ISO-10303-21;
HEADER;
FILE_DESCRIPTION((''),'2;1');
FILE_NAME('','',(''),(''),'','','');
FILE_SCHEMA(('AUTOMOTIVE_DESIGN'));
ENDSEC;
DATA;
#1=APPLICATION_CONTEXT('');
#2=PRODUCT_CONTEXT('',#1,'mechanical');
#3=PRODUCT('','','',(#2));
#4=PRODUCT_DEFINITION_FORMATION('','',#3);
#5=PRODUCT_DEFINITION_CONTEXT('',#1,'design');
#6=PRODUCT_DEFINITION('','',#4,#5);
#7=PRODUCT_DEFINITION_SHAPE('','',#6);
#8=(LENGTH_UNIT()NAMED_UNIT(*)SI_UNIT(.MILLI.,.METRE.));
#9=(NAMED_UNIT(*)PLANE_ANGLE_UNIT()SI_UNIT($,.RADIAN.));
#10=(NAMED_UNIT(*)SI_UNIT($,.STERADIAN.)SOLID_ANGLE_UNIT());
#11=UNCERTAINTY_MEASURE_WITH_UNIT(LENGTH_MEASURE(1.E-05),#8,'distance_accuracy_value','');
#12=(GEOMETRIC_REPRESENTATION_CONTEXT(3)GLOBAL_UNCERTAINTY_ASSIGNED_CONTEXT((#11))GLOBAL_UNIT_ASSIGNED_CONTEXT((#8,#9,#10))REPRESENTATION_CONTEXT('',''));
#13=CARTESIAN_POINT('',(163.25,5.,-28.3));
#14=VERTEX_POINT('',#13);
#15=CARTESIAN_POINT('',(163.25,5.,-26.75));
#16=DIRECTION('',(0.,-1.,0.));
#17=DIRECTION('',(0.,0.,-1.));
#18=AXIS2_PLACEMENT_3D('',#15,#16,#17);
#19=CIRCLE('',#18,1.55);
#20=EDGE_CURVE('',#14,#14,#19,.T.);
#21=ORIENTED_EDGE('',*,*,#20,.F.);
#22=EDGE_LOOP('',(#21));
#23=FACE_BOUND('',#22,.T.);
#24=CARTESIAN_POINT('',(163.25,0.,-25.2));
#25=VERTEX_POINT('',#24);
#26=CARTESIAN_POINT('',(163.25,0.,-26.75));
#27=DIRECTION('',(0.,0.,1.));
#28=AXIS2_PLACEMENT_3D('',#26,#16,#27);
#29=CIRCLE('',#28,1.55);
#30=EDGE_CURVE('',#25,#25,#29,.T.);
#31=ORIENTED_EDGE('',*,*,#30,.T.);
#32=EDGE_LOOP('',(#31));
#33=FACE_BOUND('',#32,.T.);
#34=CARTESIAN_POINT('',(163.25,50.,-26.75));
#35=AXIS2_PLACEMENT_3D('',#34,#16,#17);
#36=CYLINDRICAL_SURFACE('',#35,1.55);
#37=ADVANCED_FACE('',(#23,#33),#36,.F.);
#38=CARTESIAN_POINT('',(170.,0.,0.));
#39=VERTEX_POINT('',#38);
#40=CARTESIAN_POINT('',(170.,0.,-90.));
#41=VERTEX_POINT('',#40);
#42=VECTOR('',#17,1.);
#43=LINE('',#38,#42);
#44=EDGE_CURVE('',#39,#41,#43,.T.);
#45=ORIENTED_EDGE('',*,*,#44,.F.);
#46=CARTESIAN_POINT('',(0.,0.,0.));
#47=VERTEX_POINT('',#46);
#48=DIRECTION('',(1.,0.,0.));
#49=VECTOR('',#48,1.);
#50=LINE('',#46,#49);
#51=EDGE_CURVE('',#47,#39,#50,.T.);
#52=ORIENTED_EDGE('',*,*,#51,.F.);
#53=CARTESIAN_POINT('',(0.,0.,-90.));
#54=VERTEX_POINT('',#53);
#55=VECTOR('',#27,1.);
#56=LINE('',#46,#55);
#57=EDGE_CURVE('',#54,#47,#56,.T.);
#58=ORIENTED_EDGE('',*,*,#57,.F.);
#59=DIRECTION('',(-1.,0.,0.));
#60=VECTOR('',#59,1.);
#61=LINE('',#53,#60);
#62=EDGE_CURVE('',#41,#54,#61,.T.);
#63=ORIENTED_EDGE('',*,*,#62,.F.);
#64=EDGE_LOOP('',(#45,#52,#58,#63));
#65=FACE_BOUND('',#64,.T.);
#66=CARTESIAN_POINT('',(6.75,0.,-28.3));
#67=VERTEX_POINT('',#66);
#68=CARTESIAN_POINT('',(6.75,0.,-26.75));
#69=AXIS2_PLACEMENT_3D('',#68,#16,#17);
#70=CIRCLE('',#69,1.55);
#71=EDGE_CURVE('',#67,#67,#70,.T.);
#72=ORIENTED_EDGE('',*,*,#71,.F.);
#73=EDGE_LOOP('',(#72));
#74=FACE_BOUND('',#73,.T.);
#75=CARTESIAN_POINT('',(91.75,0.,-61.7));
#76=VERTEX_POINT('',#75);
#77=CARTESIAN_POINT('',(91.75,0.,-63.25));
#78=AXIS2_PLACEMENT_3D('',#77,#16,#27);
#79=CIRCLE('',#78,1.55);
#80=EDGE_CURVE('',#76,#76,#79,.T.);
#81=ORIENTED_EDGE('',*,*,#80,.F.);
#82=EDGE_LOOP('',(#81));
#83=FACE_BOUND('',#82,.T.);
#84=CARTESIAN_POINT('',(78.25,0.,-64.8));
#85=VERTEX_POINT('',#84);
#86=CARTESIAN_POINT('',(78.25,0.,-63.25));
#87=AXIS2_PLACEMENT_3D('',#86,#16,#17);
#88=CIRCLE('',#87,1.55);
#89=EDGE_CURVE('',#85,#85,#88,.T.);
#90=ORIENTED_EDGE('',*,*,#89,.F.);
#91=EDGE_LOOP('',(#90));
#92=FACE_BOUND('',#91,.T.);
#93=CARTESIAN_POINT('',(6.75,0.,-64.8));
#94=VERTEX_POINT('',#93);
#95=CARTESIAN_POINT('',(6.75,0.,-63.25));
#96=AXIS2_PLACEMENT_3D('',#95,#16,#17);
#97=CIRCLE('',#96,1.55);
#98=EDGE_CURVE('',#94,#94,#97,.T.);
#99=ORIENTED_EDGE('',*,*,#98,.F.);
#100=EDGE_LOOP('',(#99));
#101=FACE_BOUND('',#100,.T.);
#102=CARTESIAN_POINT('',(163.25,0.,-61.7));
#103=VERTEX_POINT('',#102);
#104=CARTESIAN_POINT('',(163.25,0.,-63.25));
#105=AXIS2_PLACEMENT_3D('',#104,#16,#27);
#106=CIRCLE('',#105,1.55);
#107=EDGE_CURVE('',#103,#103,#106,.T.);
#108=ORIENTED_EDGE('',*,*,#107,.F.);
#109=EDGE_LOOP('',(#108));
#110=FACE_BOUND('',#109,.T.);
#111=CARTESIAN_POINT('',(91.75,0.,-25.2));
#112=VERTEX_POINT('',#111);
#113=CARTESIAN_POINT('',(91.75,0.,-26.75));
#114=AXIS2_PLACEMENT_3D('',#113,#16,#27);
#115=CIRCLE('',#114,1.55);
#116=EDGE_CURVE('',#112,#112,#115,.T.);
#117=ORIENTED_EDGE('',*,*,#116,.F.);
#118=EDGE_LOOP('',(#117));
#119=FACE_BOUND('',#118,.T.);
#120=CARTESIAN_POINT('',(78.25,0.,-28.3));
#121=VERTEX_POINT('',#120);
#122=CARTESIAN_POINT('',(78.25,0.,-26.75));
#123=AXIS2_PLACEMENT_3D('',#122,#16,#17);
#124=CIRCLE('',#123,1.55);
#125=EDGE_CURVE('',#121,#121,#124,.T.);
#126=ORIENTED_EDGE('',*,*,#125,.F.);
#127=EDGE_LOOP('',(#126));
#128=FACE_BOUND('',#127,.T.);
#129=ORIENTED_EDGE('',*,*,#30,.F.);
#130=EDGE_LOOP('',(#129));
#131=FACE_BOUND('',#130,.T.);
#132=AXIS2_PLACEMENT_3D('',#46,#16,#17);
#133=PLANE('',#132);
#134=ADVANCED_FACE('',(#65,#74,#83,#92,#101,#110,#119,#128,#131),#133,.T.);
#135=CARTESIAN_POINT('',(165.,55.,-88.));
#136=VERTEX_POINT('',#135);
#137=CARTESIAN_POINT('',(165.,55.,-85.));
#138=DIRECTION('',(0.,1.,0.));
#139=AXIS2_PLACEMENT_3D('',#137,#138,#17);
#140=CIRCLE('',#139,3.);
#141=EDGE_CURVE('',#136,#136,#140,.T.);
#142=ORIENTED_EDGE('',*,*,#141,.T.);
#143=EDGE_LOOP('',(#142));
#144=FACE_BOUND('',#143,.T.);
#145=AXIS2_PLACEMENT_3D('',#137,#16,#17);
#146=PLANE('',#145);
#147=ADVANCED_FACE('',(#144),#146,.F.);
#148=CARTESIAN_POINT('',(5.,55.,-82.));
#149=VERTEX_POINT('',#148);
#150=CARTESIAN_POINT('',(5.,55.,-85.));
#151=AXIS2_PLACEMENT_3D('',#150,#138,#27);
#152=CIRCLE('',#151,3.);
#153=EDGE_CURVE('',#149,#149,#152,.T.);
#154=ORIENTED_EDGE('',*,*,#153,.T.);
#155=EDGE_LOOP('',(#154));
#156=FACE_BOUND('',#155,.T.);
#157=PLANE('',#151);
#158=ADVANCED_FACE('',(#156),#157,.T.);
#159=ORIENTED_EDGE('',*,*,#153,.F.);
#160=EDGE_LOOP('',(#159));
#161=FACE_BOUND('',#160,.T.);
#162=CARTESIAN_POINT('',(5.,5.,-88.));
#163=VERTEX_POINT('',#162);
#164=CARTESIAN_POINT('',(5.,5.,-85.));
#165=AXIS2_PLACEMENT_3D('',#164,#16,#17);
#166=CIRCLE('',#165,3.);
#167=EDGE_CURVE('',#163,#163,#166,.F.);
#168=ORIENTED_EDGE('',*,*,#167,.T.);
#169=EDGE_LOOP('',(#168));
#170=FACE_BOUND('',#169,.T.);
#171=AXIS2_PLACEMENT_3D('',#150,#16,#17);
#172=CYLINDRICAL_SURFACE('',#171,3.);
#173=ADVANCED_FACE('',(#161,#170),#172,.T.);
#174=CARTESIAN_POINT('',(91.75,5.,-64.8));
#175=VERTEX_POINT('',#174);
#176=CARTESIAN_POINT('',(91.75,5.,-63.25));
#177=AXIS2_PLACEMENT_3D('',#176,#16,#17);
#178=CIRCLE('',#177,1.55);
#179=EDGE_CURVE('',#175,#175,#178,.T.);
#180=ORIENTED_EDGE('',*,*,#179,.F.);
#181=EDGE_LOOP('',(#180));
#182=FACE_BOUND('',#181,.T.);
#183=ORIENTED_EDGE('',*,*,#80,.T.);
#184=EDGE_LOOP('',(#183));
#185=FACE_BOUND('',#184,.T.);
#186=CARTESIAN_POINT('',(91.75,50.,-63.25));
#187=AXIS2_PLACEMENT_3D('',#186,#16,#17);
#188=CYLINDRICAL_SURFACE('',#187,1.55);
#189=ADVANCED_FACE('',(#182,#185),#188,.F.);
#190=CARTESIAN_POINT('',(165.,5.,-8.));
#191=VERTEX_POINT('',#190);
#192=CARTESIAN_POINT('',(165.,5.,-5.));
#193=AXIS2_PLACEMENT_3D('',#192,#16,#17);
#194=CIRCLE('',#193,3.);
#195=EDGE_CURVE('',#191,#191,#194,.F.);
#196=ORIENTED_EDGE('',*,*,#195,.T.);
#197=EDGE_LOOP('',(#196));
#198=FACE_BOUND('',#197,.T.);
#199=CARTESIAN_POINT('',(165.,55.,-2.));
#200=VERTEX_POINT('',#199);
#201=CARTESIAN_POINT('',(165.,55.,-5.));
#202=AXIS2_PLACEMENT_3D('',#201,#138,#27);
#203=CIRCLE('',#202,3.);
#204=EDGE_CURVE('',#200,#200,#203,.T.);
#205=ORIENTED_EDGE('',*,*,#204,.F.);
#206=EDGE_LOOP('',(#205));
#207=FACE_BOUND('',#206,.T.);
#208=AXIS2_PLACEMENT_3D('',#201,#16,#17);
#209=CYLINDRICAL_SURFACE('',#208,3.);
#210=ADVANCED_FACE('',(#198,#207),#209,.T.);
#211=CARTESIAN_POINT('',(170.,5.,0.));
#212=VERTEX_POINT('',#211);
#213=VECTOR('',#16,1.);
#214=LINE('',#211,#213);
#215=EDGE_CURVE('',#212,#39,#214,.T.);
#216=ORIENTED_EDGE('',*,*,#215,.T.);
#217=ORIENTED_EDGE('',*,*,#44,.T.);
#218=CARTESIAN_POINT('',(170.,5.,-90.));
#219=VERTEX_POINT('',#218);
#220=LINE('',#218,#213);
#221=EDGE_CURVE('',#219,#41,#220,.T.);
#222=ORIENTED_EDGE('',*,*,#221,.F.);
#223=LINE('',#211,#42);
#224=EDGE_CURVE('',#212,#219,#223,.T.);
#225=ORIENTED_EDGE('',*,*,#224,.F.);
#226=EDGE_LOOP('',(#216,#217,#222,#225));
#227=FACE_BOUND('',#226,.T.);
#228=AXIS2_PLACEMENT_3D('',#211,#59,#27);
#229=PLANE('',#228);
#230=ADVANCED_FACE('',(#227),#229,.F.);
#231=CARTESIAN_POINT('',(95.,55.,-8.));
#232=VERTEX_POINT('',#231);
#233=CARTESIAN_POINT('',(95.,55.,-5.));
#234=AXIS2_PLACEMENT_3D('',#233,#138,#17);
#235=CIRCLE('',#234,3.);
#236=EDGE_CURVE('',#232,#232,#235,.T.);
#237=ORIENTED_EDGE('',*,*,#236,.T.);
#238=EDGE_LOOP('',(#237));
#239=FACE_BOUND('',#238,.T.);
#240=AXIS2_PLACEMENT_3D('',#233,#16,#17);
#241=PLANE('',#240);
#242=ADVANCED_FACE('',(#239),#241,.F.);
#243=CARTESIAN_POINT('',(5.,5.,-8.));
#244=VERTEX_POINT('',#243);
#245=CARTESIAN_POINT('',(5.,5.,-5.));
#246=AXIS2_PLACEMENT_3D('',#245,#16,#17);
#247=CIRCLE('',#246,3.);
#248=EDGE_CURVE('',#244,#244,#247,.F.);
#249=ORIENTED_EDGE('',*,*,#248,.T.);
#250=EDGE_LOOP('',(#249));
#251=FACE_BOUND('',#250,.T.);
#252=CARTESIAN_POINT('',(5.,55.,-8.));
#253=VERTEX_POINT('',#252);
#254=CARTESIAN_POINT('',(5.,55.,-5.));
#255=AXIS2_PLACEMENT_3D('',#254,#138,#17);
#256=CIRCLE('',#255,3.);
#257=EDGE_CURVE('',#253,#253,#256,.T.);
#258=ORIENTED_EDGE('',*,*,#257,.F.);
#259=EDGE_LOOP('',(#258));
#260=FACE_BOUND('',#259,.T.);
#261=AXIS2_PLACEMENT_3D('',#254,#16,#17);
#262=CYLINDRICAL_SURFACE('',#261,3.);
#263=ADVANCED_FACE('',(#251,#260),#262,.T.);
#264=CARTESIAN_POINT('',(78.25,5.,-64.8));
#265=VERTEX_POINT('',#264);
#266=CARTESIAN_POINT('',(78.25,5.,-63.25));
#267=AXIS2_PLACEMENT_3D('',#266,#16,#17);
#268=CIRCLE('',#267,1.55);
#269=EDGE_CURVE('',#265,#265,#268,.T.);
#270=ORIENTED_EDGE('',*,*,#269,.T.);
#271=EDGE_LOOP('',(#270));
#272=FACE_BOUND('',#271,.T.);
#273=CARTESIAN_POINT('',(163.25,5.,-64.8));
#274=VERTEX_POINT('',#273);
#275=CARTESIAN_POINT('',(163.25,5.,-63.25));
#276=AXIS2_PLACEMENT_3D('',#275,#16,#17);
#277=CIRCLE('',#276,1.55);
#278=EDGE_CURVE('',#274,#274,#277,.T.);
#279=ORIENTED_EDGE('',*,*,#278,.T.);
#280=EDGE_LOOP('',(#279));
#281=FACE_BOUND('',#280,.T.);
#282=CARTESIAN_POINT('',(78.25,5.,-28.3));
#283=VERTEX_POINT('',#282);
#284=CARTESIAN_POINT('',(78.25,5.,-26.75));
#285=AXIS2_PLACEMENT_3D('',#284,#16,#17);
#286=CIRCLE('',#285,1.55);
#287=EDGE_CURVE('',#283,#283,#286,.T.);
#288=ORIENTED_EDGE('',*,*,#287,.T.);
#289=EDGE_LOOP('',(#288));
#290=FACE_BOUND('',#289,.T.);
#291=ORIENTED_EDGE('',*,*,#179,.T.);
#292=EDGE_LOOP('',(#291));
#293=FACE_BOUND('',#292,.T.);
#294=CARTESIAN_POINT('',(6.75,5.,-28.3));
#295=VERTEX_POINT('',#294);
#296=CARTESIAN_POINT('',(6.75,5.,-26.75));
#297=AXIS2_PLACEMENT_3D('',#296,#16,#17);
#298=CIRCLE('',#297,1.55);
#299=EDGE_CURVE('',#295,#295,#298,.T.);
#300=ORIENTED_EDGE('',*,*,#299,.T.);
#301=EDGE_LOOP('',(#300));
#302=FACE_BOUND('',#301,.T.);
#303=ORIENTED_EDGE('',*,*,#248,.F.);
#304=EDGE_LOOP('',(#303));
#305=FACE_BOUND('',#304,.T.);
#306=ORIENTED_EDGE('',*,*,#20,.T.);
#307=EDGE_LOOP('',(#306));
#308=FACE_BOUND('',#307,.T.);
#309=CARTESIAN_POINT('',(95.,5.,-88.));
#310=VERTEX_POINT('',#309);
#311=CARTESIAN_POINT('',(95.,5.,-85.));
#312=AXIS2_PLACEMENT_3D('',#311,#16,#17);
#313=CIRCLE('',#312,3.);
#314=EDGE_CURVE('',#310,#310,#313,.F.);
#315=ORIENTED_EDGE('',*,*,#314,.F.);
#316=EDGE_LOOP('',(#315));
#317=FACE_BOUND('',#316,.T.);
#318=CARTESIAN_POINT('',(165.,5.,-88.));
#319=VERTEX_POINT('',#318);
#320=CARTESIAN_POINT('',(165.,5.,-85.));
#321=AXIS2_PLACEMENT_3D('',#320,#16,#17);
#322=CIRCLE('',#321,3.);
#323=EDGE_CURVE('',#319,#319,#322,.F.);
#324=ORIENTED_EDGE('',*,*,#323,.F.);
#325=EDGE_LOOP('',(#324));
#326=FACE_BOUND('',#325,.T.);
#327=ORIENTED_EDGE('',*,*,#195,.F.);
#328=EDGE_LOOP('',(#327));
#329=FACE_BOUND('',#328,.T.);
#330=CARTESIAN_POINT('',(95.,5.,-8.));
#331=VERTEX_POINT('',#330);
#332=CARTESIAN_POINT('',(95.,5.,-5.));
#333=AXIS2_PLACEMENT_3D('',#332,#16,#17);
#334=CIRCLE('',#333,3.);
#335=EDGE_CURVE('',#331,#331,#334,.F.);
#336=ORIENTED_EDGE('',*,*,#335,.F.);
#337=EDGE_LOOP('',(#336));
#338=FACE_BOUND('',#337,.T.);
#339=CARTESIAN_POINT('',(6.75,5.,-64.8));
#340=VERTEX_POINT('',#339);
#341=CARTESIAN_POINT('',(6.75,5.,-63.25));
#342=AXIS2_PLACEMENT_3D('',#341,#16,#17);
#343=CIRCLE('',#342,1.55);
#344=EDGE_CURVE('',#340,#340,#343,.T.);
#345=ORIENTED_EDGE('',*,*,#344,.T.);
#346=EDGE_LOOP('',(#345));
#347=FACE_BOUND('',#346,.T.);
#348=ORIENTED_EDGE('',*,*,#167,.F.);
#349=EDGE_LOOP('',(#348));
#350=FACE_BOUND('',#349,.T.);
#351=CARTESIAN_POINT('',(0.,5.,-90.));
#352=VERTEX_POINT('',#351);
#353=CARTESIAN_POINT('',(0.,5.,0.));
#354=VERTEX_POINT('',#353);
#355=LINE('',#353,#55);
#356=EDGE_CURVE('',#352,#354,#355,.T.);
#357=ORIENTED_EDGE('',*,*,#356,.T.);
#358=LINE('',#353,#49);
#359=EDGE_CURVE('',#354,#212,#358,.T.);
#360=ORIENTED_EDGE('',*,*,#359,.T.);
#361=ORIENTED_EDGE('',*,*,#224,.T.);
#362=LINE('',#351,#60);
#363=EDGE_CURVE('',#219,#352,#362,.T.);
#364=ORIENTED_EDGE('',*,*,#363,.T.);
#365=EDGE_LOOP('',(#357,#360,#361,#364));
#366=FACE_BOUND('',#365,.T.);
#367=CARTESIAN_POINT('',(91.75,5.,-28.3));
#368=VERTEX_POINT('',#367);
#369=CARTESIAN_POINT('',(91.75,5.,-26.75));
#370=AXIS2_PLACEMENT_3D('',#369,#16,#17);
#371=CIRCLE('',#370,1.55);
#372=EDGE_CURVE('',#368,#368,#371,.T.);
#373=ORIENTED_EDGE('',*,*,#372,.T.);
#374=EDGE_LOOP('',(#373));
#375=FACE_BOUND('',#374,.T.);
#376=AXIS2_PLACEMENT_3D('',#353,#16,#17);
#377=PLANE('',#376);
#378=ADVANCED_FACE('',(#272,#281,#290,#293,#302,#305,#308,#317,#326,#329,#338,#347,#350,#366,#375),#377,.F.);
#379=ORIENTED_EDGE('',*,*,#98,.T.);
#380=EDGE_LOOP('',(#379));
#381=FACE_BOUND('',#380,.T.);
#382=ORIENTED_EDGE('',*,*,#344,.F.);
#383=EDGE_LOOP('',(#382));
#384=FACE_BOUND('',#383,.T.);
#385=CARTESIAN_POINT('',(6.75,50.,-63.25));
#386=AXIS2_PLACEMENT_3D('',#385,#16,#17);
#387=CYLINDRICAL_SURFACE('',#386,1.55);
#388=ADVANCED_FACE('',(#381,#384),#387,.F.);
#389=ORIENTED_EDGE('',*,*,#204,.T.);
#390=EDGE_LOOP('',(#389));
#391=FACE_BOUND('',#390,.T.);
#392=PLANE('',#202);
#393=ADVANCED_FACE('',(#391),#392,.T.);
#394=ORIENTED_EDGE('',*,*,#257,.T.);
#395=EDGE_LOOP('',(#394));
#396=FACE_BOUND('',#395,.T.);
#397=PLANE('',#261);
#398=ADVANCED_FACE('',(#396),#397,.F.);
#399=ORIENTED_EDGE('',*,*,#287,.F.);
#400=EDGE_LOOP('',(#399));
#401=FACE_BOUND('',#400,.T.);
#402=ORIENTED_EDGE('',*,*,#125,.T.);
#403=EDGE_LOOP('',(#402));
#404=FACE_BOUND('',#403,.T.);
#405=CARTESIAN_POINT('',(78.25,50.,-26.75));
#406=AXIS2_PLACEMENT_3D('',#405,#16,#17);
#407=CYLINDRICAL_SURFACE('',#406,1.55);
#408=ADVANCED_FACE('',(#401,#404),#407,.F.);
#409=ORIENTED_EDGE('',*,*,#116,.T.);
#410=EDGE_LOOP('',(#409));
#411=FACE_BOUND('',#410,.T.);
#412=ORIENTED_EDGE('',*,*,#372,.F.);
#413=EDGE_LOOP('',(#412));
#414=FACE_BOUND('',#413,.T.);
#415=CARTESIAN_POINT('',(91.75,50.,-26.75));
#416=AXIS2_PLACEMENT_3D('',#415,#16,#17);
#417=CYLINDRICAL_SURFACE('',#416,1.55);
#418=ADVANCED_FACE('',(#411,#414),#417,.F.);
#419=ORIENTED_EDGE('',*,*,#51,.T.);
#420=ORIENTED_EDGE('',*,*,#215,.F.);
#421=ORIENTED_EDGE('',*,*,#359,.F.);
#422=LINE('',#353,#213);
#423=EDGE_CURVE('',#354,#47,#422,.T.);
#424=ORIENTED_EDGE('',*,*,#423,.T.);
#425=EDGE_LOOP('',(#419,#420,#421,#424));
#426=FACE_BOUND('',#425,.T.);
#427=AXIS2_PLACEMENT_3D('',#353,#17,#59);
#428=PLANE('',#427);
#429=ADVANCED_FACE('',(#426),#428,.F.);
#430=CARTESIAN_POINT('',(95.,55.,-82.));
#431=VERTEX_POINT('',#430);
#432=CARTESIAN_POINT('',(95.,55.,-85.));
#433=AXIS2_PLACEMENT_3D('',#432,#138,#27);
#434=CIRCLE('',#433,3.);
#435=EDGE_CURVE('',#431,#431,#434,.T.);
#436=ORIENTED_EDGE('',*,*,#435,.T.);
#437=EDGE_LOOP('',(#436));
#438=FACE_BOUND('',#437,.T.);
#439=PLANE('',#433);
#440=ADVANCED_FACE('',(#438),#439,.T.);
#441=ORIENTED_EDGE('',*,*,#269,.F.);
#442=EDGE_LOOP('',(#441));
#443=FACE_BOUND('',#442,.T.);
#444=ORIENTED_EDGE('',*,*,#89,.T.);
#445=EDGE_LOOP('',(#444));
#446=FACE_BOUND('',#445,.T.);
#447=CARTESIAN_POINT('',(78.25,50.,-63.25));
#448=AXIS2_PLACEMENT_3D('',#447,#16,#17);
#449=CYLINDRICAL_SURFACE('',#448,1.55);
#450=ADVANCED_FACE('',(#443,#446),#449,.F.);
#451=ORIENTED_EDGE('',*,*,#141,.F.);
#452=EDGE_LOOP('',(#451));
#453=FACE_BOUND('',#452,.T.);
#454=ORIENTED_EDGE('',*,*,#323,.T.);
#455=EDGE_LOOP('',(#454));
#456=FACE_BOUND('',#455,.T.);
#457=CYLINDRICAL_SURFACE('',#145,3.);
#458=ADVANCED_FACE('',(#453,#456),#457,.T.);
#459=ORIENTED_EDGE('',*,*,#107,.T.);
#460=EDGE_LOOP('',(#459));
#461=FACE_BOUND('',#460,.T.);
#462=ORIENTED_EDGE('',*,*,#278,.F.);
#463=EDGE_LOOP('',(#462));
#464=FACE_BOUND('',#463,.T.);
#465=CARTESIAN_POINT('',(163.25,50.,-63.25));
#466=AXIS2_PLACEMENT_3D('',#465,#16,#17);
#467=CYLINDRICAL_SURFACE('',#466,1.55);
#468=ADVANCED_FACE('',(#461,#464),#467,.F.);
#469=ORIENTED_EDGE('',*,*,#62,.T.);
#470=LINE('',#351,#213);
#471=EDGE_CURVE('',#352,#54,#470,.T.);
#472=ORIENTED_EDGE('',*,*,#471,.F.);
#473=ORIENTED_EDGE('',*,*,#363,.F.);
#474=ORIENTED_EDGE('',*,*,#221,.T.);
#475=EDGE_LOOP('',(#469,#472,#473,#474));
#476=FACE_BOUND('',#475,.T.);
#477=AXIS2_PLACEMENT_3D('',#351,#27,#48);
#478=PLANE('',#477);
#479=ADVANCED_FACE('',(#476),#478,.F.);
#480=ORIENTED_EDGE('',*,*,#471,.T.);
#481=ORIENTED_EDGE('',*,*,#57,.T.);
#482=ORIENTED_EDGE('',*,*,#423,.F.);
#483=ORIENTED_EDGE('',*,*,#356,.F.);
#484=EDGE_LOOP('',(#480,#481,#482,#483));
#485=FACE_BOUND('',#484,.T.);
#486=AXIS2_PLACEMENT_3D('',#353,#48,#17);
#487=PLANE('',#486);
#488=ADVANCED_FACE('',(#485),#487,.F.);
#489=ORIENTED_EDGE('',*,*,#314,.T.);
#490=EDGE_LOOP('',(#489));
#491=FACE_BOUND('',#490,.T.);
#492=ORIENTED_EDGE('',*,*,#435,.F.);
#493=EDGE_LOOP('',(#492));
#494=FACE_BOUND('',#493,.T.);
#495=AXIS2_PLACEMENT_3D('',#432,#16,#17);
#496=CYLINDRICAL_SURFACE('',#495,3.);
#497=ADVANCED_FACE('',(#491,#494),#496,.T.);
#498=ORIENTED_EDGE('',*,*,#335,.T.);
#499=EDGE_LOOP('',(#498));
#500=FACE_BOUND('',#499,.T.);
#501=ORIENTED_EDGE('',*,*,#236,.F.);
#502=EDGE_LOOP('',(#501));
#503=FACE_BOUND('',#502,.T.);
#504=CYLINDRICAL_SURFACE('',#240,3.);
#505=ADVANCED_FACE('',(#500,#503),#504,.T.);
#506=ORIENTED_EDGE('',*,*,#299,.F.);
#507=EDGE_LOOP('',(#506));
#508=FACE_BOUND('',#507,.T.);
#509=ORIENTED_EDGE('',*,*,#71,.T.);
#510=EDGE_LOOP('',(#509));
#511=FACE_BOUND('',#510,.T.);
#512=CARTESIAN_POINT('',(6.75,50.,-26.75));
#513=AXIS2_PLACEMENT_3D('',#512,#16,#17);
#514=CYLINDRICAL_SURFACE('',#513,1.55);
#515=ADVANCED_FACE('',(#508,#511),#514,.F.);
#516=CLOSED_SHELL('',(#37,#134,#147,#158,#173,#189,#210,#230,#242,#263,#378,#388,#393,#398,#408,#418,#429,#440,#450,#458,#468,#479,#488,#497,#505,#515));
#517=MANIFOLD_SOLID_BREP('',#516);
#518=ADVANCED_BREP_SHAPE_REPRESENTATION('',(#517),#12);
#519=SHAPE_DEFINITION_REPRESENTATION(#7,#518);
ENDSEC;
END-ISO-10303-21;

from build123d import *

# Parameters (mm, degrees)
SKETCH1_W           = 170
SKETCH1_H           = 90
BOSS_EXTRUDE1_DEPTH = 5
SKETCH2_R           = 3
BOSS_EXTRUDE2_DEPTH = 50
SKETCH3_R           = 1.55
CUT_EXTRUDE1_DEPTH  = 50


with BuildPart() as part:
    # Sketch1 → Boss-Extrude1 (new body)
    with BuildSketch(Plane(origin=(0, 0, 0), x_dir=(1, 0, 0), z_dir=(0, 1, 0))):
        with Locations((85, 45)):
            Rectangle(SKETCH1_W, SKETCH1_H)
    extrude(amount=BOSS_EXTRUDE1_DEPTH)

    # Sketch2 → Boss-Extrude2 (add)
    with BuildSketch(Plane(origin=(0, 5, 0), x_dir=(1, 0, 0), z_dir=(0, 1, 0))):
        with Locations(Location((5, 85, 0), (0, 0, 90))):
            Circle(SKETCH2_R)
        with Locations(Location((5, 5, 0), (0, 0, 90))):
            Circle(SKETCH2_R)
        with Locations(Location((165, 5, 0), (0, 0, 90))):
            Circle(SKETCH2_R)
        with Locations(Location((165, 85, 0), (0, 0, 90))):
            Circle(SKETCH2_R)
        with Locations(Location((95, 85, 0), (0, 0, 90))):
            Circle(SKETCH2_R)
        with Locations(Location((95, 5, 0), (0, 0, 90))):
            Circle(SKETCH2_R)
    extrude(amount=BOSS_EXTRUDE2_DEPTH)

    # Sketch3 → Cut-Extrude1 (cut)
    with BuildSketch(Plane.XZ):
        with Locations(Location((6.75, -26.75, 0), (0, 0, 270))):
            Circle(SKETCH3_R)
        with Locations(Location((78.25, -26.75, 0), (0, 0, 270))):
            Circle(SKETCH3_R)
        with Locations(Location((78.25, -63.25, 0), (0, 0, 270))):
            Circle(SKETCH3_R)
        with Locations(Location((6.75, -63.25, 0), (0, 0, 270))):
            Circle(SKETCH3_R)
        with Locations(Location((163.25, -63.25, 0), (0, 0, 270))):
            Circle(SKETCH3_R)
        with Locations(Location((91.75, -63.25, 0), (0, 0, 270))):
            Circle(SKETCH3_R)
        with Locations(Location((91.75, -26.75, 0), (0, 0, 270))):
            Circle(SKETCH3_R)
        with Locations(Location((163.25, -26.75, 0), (0, 0, 270))):
            Circle(SKETCH3_R)
    extrude(amount=-CUT_EXTRUDE1_DEPTH, mode=Mode.SUBTRACT)


solid = part.part
